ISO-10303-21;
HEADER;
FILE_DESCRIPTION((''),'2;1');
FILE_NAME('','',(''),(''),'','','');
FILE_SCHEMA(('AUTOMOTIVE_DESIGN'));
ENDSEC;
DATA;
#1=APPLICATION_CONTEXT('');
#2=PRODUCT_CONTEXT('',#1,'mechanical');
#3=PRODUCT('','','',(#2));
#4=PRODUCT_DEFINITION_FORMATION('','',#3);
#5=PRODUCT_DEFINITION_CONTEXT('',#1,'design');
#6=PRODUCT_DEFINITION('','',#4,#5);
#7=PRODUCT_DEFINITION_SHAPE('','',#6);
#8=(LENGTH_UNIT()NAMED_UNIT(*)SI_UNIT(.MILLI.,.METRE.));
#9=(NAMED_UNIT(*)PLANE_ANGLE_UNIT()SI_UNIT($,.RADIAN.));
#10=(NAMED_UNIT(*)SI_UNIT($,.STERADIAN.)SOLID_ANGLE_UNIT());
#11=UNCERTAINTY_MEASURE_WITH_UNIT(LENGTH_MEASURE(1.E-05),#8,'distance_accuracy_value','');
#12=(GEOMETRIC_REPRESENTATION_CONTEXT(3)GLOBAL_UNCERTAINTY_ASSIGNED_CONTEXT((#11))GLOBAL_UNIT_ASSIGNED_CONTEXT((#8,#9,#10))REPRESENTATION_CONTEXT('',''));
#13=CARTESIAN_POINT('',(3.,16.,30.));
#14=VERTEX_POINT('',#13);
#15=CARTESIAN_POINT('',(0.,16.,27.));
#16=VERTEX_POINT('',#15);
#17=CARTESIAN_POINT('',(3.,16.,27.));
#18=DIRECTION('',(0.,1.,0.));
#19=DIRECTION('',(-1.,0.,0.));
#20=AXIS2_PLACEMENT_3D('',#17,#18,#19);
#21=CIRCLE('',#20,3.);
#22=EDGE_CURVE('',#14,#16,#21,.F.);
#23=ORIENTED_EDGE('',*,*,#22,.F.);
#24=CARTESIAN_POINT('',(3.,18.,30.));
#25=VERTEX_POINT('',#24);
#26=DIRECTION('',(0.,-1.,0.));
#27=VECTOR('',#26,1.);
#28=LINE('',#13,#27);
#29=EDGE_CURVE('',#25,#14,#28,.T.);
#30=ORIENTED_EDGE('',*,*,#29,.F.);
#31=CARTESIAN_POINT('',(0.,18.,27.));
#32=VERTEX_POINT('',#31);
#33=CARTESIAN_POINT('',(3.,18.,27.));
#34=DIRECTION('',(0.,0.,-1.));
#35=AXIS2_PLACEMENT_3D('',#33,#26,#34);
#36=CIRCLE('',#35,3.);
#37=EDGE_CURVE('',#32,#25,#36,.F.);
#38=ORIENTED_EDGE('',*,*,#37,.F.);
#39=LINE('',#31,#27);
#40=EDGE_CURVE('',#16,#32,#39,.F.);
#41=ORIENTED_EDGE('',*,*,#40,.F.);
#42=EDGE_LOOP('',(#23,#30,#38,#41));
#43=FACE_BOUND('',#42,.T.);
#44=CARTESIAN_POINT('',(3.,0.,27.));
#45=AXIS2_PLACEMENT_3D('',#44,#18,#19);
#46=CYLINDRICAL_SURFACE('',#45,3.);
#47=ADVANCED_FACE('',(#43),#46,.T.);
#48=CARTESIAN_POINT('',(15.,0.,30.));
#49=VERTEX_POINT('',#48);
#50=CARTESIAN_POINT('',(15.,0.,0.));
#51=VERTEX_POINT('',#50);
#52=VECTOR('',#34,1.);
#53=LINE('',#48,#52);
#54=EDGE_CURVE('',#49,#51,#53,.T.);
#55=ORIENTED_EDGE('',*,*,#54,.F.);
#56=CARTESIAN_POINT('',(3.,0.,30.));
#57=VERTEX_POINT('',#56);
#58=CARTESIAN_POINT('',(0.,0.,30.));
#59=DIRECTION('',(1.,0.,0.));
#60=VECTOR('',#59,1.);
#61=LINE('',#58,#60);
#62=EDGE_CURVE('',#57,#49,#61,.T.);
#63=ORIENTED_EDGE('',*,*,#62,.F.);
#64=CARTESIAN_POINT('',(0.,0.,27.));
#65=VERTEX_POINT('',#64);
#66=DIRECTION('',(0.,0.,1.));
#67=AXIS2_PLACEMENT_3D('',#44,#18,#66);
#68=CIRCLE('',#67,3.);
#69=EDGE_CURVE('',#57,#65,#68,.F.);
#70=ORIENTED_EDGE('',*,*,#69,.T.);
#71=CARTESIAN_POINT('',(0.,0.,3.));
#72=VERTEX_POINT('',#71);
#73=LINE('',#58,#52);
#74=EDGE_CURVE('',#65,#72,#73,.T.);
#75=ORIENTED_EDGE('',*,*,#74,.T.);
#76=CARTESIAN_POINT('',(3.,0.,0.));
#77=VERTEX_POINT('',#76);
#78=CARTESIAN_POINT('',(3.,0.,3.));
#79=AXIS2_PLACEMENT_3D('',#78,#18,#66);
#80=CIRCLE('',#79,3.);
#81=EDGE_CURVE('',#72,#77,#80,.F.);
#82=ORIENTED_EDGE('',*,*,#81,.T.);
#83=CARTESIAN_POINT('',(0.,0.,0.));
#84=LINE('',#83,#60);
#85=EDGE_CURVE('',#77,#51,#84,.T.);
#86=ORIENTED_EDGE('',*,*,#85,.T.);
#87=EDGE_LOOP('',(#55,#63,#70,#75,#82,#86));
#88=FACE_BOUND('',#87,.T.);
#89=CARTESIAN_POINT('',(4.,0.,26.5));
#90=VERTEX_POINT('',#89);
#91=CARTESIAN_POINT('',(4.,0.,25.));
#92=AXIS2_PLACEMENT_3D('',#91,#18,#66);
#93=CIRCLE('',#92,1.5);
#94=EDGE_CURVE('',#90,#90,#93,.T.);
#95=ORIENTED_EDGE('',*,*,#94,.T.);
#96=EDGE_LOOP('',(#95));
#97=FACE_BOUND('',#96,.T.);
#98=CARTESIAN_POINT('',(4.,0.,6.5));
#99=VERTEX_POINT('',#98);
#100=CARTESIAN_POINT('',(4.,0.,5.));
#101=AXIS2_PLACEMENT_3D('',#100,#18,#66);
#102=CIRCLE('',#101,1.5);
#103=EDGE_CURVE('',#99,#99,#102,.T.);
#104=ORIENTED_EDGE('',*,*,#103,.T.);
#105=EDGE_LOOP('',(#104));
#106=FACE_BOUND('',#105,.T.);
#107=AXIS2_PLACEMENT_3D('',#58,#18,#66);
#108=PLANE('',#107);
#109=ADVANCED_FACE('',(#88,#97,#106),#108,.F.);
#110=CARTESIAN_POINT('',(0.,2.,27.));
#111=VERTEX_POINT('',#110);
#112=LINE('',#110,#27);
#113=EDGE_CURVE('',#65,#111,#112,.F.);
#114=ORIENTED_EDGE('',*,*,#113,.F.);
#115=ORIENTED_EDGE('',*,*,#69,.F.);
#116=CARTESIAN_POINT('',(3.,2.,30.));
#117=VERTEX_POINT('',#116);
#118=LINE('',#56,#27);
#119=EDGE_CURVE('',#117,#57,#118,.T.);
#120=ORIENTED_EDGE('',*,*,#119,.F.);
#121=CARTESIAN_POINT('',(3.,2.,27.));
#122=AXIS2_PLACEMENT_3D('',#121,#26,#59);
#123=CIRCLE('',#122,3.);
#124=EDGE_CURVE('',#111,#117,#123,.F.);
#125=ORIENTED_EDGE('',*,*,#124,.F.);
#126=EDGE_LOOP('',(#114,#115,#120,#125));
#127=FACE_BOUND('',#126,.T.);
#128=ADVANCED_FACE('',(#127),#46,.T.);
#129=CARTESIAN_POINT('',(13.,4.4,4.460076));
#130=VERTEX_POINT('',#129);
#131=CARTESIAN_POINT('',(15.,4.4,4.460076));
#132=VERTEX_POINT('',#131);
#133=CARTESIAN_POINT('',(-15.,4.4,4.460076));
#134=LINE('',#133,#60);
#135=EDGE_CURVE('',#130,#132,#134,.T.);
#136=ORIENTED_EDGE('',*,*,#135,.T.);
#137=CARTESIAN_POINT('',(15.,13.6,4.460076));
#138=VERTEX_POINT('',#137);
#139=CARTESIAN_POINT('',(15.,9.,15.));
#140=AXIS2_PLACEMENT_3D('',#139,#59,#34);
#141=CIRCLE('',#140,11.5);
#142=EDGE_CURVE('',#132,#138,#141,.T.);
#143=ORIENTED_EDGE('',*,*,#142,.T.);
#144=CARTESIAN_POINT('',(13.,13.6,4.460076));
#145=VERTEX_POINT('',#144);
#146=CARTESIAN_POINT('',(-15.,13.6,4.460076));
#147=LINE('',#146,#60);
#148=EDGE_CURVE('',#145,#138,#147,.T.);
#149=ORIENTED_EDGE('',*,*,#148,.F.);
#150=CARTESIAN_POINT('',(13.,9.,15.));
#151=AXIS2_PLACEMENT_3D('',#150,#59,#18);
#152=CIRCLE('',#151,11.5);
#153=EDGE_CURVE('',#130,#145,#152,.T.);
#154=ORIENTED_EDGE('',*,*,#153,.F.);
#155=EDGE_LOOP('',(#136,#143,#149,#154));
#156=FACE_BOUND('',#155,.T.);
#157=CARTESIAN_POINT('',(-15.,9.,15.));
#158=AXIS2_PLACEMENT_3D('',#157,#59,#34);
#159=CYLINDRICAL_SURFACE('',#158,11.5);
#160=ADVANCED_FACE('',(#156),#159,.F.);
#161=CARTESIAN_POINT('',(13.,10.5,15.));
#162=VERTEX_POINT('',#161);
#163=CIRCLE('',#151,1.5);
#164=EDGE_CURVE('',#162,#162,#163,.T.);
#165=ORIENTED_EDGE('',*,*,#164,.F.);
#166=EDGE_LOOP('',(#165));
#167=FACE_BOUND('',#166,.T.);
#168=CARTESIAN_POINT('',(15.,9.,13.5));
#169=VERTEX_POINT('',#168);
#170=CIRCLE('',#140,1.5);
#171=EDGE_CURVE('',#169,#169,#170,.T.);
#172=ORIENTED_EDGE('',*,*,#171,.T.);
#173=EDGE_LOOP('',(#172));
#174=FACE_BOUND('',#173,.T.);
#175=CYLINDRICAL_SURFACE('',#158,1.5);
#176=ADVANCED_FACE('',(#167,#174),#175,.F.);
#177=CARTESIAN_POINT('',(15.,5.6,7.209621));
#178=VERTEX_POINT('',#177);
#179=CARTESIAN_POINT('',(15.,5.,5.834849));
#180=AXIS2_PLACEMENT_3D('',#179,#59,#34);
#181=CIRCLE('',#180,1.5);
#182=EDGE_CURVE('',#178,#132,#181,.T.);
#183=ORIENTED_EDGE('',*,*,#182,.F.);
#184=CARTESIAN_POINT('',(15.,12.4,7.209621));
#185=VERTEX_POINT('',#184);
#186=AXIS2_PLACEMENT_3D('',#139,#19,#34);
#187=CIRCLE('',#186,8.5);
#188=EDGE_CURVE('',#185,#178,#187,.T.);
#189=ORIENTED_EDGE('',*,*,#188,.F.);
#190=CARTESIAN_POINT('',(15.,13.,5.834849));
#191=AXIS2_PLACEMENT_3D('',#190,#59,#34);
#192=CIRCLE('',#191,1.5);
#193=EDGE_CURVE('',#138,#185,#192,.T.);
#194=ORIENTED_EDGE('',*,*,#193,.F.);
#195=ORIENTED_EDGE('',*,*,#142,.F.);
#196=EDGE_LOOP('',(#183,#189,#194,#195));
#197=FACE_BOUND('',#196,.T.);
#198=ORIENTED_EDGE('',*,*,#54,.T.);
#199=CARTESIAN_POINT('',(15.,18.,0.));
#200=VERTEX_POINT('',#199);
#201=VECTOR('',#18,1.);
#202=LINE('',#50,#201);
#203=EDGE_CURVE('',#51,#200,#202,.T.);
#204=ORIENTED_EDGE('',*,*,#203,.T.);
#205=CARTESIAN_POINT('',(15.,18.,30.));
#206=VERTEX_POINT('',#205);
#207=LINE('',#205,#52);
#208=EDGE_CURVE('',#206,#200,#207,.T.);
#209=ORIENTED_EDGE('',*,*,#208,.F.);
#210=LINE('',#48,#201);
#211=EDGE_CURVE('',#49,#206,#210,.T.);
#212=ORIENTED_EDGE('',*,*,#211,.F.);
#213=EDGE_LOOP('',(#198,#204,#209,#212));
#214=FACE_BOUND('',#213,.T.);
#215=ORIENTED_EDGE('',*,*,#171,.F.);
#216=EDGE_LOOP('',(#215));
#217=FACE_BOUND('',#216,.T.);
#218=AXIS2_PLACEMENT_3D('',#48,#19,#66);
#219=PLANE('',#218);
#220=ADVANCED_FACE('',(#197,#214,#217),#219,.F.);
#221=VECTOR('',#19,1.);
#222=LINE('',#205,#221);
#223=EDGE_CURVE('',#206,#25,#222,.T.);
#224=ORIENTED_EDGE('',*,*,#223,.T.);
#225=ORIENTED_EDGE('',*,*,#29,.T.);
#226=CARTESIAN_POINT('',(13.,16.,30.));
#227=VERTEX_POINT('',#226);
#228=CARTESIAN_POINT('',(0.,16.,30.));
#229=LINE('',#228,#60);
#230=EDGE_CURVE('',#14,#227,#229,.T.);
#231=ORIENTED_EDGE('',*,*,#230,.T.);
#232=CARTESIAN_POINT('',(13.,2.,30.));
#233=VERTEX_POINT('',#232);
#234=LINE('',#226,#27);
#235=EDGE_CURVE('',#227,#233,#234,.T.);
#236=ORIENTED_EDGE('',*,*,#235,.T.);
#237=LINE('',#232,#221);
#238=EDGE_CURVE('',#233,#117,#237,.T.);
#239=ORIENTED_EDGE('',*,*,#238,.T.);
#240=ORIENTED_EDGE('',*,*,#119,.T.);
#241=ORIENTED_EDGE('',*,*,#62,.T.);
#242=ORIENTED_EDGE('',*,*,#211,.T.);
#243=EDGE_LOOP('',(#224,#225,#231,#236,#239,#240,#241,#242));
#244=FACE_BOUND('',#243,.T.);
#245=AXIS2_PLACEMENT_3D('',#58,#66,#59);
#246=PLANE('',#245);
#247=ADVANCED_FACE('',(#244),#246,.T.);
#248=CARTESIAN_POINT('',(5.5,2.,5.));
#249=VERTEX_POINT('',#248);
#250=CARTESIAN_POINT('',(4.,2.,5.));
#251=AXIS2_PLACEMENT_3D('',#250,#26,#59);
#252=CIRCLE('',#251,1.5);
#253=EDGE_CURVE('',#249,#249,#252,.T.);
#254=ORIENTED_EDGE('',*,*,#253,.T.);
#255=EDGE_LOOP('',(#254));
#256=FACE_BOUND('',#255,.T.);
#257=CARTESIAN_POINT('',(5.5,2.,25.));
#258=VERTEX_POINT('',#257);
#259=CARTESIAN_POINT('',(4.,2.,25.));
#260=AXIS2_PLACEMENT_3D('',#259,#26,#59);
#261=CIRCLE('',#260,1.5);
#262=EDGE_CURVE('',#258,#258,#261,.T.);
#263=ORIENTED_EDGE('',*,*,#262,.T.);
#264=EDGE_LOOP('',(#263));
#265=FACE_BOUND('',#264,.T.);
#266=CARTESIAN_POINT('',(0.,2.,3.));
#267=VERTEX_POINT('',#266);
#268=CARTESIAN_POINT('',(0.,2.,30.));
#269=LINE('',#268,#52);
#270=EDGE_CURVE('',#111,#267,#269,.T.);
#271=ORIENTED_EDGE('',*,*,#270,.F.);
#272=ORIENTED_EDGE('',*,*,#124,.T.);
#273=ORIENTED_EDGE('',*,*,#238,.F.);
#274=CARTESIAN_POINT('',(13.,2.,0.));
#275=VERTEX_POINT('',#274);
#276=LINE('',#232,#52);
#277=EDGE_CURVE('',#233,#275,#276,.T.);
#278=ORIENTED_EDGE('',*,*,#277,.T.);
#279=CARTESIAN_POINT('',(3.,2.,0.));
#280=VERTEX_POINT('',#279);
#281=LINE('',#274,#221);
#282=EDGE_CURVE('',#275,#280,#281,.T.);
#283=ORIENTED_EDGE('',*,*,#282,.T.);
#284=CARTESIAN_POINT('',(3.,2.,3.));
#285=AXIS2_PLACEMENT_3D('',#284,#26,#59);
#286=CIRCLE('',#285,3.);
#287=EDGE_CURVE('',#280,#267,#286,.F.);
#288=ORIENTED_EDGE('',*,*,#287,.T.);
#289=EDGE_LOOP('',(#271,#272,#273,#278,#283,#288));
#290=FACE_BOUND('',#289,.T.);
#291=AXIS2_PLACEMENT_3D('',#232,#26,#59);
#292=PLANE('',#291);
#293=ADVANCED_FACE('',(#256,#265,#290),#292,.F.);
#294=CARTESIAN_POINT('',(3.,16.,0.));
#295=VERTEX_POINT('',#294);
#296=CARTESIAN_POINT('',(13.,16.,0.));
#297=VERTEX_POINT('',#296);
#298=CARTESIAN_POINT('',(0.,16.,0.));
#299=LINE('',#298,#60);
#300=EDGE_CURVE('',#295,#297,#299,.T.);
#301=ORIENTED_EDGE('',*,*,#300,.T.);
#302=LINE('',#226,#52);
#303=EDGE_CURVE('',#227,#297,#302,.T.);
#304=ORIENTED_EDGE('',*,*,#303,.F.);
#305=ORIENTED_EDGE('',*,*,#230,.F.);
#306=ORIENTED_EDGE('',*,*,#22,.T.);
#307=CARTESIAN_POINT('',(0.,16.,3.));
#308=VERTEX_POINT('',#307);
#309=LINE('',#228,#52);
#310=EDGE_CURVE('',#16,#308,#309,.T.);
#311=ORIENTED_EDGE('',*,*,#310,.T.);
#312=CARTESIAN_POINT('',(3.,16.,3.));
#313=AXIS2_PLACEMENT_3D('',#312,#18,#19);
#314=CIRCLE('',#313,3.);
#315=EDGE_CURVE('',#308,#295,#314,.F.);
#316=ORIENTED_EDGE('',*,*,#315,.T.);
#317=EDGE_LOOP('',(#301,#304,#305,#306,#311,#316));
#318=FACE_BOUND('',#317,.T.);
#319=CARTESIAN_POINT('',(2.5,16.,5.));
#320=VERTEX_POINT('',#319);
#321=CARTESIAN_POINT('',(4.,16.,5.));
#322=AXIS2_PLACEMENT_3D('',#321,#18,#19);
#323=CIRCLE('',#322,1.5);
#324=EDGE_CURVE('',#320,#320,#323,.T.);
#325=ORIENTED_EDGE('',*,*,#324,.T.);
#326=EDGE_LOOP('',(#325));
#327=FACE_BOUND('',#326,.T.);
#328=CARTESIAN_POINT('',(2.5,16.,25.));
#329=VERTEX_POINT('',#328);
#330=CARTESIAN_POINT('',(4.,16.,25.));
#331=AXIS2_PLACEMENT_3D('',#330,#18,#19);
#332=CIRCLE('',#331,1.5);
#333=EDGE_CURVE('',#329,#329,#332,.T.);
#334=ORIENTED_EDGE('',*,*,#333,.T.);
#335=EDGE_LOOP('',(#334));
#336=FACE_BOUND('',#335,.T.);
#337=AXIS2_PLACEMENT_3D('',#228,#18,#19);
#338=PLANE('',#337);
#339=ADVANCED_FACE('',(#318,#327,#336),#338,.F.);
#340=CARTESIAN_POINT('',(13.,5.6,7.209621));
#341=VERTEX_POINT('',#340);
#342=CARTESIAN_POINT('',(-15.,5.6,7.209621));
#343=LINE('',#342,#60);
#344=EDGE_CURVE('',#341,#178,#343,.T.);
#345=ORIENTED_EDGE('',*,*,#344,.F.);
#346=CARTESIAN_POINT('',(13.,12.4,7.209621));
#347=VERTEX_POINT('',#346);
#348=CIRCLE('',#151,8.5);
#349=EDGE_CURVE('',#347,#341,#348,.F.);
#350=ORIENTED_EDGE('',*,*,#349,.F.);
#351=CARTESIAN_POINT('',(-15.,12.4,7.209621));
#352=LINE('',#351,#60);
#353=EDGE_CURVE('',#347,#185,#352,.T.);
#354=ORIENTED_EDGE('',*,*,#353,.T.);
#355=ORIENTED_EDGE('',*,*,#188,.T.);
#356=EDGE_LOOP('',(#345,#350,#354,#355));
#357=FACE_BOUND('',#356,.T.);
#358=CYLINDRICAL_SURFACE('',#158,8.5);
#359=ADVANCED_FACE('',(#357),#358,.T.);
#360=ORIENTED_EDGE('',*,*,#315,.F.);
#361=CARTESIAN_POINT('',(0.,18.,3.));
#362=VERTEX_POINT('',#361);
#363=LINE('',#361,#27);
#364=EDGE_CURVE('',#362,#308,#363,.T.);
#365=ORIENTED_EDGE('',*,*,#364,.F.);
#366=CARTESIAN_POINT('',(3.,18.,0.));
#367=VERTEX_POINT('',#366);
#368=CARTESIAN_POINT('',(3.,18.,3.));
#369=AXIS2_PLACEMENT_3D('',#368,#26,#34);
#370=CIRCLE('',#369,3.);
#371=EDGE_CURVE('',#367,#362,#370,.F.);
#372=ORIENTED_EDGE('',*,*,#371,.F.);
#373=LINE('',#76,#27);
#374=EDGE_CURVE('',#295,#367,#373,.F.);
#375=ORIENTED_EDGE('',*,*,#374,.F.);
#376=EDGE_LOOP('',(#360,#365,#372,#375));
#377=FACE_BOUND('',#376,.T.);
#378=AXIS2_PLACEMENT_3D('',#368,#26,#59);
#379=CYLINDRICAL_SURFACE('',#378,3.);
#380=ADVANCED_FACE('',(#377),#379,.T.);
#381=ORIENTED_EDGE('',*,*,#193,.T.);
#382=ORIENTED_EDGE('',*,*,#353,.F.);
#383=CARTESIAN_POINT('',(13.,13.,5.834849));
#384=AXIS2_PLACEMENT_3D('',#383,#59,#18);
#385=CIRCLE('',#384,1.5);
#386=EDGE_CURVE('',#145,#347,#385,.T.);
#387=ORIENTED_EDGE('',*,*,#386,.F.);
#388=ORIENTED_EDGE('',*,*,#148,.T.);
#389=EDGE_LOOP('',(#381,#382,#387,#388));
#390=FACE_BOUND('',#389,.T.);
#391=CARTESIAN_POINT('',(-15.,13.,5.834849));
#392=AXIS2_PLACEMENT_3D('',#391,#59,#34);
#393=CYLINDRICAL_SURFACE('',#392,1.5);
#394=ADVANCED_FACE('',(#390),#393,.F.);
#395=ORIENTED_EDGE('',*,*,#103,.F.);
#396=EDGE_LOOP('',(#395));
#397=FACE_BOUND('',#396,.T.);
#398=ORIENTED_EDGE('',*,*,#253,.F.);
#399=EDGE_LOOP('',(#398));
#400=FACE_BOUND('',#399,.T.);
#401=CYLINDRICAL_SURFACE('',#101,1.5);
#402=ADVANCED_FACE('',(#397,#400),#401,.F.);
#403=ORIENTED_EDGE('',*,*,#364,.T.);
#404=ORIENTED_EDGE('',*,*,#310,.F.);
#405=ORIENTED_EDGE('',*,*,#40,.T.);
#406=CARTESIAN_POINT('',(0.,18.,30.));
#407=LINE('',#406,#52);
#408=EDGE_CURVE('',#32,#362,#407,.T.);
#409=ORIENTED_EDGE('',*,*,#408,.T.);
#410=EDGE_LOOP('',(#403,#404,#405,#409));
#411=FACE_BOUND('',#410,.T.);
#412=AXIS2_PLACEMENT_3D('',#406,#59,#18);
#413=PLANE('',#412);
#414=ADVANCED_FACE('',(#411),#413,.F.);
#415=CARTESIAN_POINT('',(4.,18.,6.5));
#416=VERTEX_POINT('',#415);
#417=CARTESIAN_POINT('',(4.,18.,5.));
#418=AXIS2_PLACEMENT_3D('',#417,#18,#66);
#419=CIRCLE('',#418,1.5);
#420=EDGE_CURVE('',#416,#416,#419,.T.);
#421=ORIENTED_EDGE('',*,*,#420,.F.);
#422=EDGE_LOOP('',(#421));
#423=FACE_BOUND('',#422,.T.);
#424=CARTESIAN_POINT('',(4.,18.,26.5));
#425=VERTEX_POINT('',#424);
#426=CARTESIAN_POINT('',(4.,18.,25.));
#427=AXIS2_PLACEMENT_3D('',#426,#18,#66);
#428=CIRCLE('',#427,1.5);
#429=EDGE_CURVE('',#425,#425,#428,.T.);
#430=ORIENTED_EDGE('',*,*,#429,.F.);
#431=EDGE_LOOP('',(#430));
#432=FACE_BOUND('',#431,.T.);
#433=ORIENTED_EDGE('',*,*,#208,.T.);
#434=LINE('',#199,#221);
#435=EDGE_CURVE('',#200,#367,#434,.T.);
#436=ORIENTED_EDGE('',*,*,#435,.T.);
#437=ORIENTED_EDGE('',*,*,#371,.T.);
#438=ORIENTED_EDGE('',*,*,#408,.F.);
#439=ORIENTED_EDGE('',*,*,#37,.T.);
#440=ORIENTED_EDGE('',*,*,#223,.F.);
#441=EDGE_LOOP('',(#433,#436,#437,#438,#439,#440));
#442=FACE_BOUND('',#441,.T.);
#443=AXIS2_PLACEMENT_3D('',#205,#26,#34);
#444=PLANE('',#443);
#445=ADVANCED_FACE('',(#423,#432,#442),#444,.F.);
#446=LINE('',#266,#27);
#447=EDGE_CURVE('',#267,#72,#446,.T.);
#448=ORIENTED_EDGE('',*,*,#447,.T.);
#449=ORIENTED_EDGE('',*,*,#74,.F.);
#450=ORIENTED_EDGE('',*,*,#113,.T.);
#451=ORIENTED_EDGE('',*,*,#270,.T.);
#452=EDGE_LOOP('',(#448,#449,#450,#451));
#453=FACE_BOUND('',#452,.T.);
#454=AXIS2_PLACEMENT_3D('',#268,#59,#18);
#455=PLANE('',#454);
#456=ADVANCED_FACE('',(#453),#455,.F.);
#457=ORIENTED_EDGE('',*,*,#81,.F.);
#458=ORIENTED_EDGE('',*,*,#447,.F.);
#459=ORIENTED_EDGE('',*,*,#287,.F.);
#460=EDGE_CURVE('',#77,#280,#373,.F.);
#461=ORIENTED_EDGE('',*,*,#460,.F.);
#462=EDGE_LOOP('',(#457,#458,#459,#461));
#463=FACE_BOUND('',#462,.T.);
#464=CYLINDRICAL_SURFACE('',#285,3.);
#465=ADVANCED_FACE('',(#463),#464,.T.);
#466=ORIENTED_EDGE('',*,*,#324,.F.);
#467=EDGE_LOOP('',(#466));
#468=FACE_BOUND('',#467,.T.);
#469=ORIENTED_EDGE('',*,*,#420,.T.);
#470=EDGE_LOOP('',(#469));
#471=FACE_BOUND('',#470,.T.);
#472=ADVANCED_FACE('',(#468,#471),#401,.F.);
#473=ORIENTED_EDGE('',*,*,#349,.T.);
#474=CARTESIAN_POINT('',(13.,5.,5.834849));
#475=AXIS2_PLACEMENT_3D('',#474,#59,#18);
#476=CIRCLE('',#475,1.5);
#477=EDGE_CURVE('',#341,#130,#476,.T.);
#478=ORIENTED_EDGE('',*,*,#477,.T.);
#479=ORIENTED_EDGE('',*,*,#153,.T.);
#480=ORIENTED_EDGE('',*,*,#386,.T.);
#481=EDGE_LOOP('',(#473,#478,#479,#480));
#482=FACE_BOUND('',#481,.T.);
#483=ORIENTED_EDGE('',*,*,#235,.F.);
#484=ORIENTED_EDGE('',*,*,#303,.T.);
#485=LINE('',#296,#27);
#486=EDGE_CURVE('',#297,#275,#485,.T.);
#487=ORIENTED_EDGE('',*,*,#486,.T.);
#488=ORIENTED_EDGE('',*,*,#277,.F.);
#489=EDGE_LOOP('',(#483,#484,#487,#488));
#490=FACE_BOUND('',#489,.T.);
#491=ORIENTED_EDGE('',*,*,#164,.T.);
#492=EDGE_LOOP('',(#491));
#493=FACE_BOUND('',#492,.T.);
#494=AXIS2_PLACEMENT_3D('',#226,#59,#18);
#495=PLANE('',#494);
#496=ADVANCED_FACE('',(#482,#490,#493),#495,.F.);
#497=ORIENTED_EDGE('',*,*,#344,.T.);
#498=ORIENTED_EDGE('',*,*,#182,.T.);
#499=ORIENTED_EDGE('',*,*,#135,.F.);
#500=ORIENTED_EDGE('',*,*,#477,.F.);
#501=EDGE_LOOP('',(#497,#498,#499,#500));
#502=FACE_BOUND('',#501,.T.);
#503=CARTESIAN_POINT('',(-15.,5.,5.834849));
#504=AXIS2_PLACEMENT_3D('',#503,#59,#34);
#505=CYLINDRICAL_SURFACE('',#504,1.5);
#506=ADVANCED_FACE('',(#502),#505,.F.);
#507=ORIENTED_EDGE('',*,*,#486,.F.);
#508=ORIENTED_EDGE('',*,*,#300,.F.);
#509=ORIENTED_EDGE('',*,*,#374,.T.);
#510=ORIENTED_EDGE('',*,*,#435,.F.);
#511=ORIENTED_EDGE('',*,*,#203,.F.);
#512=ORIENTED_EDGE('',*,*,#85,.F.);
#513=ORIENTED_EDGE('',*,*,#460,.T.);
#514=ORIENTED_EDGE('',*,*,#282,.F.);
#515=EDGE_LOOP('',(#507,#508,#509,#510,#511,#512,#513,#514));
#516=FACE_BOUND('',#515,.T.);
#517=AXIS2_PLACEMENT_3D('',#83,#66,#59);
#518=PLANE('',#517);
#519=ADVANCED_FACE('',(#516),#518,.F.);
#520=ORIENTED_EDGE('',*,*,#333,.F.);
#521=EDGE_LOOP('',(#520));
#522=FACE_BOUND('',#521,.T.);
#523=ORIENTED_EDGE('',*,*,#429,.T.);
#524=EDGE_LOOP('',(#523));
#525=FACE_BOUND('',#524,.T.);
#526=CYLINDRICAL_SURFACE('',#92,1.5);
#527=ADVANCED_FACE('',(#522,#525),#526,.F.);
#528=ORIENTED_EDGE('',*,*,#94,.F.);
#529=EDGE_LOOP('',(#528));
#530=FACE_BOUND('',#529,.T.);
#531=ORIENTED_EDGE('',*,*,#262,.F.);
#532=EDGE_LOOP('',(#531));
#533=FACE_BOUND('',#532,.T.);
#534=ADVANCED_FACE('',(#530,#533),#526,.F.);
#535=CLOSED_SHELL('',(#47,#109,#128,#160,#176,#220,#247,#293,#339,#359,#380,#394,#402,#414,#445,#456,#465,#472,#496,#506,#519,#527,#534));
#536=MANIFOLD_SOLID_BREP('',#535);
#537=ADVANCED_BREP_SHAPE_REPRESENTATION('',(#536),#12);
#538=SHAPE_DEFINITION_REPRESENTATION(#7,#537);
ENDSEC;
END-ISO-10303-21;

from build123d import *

# Parameters (mm, degrees)
BOSS_EXTRUDE1_DEPTH = 30
SKETCH2_R           = 1.5
CUT_EXTRUDE1_DEPTH  = 39.065732621
FILLET1_R           = 3
SKETCH3_R           = 1.5
CUT_EXTRUDE2_DEPTH  = 30


with BuildPart() as part:
    # Sketch1 → Boss-Extrude1 (new body)
    with BuildSketch(Plane.XY):
        Polygon((0, 0), (15, 0), (15, 18), (0, 18), (0, 16), (13, 16), (13, 2), (0, 2), align=None)
    extrude(amount=BOSS_EXTRUDE1_DEPTH)

    # Sketch2 → Cut-Extrude1 (cut, through all)
    with BuildSketch(Plane(origin=(0, 18, 0), x_dir=(1, 0, 0), z_dir=(0, 1, 0))):
        with Locations(Location((4, -5, 0), (0, 0, 270))):
            Circle(SKETCH2_R)
        with Locations(Location((4, -25, 0), (0, 0, 270))):
            Circle(SKETCH2_R)
    extrude(amount=-CUT_EXTRUDE1_DEPTH, mode=Mode.SUBTRACT)

    # Fillet1
    fillet1_edges = [part.edges().sort_by_distance(p)[0] for p in [
        (0, 1, 0),
        (0, 17, 30),
        (0, 1, 30),
        (0, 17, 0),
    ]]
    fillet(fillet1_edges, radius=FILLET1_R)

    # Sketch3 → Cut-Extrude2 (cut)
    with BuildSketch(Plane(origin=(15, 0, 0), x_dir=(0, 0, -1), z_dir=(1, 0, 0))):
        with Locations((-15, 9)):
            Circle(SKETCH3_R)
        with BuildLine():
            ThreePointArc((-4.460075902, 4.4), (-3.5, 9), (-4.460075902, 13.6))
            ThreePointArc((-4.460075902, 13.6), (-6.43484861, 14.374772708), (-7.209621319, 12.4))
            ThreePointArc((-7.209621319, 12.4), (-6.5, 9), (-7.209621319, 5.6))
            ThreePointArc((-7.209621319, 5.6), (-6.43484861, 3.625227292), (-4.460075902, 4.4))
        make_face()
    extrude(amount=-CUT_EXTRUDE2_DEPTH, mode=Mode.SUBTRACT)


solid = part.part
